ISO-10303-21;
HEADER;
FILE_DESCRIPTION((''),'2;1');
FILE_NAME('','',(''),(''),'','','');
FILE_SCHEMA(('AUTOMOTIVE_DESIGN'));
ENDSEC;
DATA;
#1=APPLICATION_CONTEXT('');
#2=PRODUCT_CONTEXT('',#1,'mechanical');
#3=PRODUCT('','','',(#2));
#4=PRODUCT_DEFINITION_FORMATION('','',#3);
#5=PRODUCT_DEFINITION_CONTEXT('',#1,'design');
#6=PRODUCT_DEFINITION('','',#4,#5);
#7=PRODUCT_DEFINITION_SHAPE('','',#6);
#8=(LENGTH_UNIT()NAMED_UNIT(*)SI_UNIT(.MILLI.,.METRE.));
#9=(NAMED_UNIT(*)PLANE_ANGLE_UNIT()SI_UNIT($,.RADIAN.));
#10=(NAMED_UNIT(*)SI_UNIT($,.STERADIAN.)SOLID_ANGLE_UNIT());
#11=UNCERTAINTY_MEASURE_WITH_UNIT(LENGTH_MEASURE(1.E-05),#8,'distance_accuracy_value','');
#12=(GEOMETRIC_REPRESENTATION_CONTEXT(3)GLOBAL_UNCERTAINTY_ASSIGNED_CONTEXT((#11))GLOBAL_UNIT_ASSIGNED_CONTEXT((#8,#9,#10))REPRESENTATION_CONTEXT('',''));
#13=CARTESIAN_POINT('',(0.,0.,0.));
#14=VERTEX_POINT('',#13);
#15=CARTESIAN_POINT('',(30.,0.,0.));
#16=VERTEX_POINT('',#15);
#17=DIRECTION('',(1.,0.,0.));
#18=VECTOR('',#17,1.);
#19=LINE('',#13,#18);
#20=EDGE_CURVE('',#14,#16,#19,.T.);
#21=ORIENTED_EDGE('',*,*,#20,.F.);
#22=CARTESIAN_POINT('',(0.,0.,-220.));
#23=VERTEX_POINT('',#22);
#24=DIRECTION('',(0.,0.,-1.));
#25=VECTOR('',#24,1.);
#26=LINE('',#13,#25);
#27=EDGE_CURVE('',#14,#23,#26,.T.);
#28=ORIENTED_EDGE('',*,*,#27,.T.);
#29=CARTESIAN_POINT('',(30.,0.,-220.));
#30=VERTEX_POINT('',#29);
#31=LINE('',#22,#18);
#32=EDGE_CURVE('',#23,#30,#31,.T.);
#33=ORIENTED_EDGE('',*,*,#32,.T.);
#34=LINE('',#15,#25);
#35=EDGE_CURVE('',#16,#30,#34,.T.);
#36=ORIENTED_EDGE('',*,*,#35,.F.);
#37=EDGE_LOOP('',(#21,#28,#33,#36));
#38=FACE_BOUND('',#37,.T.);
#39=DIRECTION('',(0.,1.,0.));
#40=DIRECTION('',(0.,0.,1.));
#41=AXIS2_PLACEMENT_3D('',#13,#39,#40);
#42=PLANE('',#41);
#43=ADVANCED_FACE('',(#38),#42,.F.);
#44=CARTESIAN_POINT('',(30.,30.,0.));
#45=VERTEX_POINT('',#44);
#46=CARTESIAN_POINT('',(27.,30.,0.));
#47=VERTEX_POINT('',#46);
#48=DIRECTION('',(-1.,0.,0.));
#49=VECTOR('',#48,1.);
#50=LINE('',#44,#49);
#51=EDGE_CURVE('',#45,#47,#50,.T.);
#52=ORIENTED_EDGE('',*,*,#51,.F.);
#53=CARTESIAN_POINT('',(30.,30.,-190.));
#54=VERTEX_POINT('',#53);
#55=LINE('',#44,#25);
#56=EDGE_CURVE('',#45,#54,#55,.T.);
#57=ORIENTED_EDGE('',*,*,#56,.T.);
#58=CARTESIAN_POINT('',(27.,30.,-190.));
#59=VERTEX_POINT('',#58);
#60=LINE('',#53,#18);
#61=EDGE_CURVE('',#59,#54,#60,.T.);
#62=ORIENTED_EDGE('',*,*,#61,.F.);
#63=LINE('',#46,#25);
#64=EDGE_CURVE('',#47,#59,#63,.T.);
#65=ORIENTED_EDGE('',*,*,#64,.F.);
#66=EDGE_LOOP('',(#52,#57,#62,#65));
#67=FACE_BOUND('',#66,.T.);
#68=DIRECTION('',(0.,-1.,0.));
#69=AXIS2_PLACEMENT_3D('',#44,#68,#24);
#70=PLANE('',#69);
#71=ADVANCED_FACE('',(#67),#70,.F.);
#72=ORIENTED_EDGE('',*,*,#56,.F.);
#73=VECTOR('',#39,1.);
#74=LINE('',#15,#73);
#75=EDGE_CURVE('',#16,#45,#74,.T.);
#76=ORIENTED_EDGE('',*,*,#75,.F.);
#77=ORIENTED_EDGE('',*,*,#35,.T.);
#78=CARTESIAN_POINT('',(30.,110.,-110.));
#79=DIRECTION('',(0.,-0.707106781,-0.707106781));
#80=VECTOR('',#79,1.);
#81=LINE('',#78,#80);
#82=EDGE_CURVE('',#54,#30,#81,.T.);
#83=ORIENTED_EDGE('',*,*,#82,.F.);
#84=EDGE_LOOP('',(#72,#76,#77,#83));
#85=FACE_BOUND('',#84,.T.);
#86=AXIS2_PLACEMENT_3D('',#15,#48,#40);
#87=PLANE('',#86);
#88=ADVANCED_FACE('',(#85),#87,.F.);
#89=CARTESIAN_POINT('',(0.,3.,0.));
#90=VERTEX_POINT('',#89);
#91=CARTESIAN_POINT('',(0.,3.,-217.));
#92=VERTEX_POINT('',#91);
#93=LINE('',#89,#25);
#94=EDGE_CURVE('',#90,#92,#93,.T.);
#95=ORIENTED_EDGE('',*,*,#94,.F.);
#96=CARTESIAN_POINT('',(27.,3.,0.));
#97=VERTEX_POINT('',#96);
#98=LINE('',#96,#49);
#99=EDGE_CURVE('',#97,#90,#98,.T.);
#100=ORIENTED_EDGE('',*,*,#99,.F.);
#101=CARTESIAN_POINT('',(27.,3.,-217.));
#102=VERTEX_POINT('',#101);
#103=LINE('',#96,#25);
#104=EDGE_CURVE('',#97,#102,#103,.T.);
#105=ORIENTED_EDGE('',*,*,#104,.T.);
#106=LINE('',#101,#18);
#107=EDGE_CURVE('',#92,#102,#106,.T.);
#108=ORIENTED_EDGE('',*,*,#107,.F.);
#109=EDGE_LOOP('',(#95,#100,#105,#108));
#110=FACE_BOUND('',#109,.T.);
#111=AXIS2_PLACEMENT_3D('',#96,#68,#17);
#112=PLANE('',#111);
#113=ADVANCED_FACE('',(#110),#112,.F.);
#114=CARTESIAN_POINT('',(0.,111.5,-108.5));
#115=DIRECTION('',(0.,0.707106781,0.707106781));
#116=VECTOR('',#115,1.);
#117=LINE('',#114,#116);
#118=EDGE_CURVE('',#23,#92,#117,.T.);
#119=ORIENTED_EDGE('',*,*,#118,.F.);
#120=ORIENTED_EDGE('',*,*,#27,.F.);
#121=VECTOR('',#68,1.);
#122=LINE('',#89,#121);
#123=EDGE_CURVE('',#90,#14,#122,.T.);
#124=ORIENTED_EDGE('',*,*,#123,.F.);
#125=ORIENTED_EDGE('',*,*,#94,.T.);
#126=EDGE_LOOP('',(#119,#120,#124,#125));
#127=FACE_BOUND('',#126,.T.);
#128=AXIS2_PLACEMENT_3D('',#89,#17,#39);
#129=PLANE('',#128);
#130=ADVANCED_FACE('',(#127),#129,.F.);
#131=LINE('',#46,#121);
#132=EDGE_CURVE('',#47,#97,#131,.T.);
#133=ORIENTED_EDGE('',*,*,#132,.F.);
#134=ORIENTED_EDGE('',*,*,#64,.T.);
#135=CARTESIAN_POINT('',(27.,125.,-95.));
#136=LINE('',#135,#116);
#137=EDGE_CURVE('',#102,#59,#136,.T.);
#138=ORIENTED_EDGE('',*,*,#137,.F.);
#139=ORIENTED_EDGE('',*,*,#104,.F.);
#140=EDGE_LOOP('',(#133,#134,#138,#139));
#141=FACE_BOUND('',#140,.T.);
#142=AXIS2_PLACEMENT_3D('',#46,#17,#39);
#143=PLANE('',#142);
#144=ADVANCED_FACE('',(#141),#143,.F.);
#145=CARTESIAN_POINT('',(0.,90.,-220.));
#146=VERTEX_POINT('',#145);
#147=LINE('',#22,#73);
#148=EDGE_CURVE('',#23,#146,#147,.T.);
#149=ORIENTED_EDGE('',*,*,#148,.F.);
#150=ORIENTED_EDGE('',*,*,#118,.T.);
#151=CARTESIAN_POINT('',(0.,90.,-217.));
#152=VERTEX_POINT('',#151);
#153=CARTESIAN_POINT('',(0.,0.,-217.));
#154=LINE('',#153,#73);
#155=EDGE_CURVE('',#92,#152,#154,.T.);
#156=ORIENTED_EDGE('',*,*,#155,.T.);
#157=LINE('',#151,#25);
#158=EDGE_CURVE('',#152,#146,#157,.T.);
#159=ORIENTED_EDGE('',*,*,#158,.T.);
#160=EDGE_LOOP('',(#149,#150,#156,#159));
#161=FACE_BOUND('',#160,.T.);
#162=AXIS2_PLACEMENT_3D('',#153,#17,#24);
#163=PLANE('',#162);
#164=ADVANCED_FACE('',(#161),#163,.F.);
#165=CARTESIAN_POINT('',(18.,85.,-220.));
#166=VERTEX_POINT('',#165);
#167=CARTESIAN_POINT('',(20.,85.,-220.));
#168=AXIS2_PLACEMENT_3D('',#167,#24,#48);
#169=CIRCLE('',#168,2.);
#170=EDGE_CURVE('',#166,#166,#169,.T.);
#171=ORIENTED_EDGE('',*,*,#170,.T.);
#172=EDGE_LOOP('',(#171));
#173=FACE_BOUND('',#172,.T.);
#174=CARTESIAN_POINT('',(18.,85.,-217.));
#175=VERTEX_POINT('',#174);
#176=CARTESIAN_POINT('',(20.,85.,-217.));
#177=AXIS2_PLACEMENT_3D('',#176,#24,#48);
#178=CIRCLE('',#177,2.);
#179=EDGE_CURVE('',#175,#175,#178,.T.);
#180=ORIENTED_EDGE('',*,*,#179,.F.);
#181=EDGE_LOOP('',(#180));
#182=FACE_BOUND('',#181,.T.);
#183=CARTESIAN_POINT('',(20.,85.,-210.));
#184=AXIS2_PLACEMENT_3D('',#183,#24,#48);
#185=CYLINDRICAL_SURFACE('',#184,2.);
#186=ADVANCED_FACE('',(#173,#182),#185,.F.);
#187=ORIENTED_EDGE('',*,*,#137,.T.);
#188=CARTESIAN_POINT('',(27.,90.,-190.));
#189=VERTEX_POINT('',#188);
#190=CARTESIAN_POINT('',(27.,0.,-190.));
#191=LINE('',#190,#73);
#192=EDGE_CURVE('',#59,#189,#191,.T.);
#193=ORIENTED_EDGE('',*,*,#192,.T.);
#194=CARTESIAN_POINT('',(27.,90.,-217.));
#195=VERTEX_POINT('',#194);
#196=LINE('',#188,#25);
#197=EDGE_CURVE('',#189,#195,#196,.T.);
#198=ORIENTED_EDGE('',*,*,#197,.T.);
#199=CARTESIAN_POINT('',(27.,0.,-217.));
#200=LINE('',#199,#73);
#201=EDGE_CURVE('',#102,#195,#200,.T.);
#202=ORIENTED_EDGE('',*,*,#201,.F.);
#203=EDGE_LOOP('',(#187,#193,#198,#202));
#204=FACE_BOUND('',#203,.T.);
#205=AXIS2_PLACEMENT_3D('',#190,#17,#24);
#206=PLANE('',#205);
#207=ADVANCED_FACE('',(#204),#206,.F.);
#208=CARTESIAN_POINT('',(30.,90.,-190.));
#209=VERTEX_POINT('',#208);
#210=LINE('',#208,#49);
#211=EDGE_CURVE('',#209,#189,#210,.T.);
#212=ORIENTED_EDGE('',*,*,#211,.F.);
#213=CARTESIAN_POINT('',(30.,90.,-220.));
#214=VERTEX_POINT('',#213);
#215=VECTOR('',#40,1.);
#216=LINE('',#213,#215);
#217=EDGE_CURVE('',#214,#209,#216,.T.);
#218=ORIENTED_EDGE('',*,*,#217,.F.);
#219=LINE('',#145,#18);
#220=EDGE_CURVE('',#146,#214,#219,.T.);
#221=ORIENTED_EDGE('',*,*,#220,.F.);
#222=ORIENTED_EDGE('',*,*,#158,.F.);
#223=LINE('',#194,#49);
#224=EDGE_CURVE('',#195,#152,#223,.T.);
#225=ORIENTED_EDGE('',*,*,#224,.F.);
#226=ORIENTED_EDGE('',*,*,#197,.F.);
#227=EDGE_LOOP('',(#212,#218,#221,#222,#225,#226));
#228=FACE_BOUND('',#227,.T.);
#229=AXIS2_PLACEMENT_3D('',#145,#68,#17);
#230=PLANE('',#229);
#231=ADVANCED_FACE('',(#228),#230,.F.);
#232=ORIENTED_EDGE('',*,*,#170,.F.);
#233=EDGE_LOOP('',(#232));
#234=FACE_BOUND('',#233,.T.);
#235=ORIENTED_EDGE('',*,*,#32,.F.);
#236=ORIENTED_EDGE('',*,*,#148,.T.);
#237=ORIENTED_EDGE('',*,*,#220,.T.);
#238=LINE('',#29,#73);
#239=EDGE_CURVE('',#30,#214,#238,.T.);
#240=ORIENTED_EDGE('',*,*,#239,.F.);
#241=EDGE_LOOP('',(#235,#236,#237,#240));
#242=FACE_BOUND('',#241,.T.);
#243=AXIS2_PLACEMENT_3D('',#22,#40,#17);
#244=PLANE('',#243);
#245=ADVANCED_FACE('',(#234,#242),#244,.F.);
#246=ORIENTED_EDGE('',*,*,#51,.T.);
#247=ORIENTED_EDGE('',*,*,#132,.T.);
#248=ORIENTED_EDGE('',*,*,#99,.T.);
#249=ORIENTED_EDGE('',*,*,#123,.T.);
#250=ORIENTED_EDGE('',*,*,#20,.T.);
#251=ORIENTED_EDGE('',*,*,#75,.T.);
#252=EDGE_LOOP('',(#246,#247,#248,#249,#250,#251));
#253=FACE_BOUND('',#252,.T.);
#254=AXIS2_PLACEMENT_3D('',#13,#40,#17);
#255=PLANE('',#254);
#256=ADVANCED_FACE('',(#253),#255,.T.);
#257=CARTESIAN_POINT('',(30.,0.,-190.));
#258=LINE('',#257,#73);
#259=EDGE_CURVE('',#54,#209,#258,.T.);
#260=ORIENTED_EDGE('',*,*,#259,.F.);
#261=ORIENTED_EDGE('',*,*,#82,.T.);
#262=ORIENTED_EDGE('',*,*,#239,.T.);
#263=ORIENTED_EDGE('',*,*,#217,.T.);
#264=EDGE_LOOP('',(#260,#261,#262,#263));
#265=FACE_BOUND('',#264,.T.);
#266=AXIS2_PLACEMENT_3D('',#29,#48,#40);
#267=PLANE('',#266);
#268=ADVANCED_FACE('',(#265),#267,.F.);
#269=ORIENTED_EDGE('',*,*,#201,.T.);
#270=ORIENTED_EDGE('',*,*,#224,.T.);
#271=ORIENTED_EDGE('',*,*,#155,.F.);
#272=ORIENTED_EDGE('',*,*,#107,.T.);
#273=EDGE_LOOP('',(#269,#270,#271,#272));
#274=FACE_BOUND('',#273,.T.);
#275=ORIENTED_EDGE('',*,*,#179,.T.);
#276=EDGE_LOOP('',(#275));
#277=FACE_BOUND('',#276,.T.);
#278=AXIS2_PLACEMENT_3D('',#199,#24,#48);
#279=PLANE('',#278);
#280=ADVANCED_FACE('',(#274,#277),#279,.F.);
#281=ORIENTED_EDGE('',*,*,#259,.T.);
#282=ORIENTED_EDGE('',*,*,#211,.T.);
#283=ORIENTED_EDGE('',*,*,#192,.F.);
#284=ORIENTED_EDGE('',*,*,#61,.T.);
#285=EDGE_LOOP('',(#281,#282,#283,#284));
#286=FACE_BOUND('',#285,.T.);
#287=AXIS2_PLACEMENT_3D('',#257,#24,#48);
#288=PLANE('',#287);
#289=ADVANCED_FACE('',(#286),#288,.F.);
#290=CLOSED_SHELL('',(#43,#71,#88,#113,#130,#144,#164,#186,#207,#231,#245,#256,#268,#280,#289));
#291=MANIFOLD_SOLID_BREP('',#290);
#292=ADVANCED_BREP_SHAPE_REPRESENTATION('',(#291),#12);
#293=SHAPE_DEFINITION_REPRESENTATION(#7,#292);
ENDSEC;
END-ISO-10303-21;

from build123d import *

# Parameters (mm, degrees)
SKETCH7_R          = 2
CUT_EXTRUDE1_DEPTH = 10


with BuildPart() as part:
    # Sweep1: sweep along a path in Sketch4
    with BuildLine(Plane(origin=(0, 0, 0), x_dir=(0, 0, -1), z_dir=(1, 0, 0))) as sweep1_path:
        Line((0, 0), (220, 0))
        Line((220, 0), (220, 90))
    # Sketch2 → Sweep1 (sweep)
    with BuildSketch(Plane.XY):
        Polygon((0, 0), (30, 0), (30, 30), (27, 30), (27, 3), (0, 3), align=None)
    sweep(path=sweep1_path.line, transition=Transition.RIGHT)

    # Sketch7 → Cut-Extrude1 (cut)
    with BuildSketch(Plane(origin=(0, 0, -220), x_dir=(-1, 0, 0), z_dir=(0, 0, -1))):
        with Locations((-20, 85)):
            Circle(SKETCH7_R)
    extrude(amount=-CUT_EXTRUDE1_DEPTH, mode=Mode.SUBTRACT)


solid = part.part
